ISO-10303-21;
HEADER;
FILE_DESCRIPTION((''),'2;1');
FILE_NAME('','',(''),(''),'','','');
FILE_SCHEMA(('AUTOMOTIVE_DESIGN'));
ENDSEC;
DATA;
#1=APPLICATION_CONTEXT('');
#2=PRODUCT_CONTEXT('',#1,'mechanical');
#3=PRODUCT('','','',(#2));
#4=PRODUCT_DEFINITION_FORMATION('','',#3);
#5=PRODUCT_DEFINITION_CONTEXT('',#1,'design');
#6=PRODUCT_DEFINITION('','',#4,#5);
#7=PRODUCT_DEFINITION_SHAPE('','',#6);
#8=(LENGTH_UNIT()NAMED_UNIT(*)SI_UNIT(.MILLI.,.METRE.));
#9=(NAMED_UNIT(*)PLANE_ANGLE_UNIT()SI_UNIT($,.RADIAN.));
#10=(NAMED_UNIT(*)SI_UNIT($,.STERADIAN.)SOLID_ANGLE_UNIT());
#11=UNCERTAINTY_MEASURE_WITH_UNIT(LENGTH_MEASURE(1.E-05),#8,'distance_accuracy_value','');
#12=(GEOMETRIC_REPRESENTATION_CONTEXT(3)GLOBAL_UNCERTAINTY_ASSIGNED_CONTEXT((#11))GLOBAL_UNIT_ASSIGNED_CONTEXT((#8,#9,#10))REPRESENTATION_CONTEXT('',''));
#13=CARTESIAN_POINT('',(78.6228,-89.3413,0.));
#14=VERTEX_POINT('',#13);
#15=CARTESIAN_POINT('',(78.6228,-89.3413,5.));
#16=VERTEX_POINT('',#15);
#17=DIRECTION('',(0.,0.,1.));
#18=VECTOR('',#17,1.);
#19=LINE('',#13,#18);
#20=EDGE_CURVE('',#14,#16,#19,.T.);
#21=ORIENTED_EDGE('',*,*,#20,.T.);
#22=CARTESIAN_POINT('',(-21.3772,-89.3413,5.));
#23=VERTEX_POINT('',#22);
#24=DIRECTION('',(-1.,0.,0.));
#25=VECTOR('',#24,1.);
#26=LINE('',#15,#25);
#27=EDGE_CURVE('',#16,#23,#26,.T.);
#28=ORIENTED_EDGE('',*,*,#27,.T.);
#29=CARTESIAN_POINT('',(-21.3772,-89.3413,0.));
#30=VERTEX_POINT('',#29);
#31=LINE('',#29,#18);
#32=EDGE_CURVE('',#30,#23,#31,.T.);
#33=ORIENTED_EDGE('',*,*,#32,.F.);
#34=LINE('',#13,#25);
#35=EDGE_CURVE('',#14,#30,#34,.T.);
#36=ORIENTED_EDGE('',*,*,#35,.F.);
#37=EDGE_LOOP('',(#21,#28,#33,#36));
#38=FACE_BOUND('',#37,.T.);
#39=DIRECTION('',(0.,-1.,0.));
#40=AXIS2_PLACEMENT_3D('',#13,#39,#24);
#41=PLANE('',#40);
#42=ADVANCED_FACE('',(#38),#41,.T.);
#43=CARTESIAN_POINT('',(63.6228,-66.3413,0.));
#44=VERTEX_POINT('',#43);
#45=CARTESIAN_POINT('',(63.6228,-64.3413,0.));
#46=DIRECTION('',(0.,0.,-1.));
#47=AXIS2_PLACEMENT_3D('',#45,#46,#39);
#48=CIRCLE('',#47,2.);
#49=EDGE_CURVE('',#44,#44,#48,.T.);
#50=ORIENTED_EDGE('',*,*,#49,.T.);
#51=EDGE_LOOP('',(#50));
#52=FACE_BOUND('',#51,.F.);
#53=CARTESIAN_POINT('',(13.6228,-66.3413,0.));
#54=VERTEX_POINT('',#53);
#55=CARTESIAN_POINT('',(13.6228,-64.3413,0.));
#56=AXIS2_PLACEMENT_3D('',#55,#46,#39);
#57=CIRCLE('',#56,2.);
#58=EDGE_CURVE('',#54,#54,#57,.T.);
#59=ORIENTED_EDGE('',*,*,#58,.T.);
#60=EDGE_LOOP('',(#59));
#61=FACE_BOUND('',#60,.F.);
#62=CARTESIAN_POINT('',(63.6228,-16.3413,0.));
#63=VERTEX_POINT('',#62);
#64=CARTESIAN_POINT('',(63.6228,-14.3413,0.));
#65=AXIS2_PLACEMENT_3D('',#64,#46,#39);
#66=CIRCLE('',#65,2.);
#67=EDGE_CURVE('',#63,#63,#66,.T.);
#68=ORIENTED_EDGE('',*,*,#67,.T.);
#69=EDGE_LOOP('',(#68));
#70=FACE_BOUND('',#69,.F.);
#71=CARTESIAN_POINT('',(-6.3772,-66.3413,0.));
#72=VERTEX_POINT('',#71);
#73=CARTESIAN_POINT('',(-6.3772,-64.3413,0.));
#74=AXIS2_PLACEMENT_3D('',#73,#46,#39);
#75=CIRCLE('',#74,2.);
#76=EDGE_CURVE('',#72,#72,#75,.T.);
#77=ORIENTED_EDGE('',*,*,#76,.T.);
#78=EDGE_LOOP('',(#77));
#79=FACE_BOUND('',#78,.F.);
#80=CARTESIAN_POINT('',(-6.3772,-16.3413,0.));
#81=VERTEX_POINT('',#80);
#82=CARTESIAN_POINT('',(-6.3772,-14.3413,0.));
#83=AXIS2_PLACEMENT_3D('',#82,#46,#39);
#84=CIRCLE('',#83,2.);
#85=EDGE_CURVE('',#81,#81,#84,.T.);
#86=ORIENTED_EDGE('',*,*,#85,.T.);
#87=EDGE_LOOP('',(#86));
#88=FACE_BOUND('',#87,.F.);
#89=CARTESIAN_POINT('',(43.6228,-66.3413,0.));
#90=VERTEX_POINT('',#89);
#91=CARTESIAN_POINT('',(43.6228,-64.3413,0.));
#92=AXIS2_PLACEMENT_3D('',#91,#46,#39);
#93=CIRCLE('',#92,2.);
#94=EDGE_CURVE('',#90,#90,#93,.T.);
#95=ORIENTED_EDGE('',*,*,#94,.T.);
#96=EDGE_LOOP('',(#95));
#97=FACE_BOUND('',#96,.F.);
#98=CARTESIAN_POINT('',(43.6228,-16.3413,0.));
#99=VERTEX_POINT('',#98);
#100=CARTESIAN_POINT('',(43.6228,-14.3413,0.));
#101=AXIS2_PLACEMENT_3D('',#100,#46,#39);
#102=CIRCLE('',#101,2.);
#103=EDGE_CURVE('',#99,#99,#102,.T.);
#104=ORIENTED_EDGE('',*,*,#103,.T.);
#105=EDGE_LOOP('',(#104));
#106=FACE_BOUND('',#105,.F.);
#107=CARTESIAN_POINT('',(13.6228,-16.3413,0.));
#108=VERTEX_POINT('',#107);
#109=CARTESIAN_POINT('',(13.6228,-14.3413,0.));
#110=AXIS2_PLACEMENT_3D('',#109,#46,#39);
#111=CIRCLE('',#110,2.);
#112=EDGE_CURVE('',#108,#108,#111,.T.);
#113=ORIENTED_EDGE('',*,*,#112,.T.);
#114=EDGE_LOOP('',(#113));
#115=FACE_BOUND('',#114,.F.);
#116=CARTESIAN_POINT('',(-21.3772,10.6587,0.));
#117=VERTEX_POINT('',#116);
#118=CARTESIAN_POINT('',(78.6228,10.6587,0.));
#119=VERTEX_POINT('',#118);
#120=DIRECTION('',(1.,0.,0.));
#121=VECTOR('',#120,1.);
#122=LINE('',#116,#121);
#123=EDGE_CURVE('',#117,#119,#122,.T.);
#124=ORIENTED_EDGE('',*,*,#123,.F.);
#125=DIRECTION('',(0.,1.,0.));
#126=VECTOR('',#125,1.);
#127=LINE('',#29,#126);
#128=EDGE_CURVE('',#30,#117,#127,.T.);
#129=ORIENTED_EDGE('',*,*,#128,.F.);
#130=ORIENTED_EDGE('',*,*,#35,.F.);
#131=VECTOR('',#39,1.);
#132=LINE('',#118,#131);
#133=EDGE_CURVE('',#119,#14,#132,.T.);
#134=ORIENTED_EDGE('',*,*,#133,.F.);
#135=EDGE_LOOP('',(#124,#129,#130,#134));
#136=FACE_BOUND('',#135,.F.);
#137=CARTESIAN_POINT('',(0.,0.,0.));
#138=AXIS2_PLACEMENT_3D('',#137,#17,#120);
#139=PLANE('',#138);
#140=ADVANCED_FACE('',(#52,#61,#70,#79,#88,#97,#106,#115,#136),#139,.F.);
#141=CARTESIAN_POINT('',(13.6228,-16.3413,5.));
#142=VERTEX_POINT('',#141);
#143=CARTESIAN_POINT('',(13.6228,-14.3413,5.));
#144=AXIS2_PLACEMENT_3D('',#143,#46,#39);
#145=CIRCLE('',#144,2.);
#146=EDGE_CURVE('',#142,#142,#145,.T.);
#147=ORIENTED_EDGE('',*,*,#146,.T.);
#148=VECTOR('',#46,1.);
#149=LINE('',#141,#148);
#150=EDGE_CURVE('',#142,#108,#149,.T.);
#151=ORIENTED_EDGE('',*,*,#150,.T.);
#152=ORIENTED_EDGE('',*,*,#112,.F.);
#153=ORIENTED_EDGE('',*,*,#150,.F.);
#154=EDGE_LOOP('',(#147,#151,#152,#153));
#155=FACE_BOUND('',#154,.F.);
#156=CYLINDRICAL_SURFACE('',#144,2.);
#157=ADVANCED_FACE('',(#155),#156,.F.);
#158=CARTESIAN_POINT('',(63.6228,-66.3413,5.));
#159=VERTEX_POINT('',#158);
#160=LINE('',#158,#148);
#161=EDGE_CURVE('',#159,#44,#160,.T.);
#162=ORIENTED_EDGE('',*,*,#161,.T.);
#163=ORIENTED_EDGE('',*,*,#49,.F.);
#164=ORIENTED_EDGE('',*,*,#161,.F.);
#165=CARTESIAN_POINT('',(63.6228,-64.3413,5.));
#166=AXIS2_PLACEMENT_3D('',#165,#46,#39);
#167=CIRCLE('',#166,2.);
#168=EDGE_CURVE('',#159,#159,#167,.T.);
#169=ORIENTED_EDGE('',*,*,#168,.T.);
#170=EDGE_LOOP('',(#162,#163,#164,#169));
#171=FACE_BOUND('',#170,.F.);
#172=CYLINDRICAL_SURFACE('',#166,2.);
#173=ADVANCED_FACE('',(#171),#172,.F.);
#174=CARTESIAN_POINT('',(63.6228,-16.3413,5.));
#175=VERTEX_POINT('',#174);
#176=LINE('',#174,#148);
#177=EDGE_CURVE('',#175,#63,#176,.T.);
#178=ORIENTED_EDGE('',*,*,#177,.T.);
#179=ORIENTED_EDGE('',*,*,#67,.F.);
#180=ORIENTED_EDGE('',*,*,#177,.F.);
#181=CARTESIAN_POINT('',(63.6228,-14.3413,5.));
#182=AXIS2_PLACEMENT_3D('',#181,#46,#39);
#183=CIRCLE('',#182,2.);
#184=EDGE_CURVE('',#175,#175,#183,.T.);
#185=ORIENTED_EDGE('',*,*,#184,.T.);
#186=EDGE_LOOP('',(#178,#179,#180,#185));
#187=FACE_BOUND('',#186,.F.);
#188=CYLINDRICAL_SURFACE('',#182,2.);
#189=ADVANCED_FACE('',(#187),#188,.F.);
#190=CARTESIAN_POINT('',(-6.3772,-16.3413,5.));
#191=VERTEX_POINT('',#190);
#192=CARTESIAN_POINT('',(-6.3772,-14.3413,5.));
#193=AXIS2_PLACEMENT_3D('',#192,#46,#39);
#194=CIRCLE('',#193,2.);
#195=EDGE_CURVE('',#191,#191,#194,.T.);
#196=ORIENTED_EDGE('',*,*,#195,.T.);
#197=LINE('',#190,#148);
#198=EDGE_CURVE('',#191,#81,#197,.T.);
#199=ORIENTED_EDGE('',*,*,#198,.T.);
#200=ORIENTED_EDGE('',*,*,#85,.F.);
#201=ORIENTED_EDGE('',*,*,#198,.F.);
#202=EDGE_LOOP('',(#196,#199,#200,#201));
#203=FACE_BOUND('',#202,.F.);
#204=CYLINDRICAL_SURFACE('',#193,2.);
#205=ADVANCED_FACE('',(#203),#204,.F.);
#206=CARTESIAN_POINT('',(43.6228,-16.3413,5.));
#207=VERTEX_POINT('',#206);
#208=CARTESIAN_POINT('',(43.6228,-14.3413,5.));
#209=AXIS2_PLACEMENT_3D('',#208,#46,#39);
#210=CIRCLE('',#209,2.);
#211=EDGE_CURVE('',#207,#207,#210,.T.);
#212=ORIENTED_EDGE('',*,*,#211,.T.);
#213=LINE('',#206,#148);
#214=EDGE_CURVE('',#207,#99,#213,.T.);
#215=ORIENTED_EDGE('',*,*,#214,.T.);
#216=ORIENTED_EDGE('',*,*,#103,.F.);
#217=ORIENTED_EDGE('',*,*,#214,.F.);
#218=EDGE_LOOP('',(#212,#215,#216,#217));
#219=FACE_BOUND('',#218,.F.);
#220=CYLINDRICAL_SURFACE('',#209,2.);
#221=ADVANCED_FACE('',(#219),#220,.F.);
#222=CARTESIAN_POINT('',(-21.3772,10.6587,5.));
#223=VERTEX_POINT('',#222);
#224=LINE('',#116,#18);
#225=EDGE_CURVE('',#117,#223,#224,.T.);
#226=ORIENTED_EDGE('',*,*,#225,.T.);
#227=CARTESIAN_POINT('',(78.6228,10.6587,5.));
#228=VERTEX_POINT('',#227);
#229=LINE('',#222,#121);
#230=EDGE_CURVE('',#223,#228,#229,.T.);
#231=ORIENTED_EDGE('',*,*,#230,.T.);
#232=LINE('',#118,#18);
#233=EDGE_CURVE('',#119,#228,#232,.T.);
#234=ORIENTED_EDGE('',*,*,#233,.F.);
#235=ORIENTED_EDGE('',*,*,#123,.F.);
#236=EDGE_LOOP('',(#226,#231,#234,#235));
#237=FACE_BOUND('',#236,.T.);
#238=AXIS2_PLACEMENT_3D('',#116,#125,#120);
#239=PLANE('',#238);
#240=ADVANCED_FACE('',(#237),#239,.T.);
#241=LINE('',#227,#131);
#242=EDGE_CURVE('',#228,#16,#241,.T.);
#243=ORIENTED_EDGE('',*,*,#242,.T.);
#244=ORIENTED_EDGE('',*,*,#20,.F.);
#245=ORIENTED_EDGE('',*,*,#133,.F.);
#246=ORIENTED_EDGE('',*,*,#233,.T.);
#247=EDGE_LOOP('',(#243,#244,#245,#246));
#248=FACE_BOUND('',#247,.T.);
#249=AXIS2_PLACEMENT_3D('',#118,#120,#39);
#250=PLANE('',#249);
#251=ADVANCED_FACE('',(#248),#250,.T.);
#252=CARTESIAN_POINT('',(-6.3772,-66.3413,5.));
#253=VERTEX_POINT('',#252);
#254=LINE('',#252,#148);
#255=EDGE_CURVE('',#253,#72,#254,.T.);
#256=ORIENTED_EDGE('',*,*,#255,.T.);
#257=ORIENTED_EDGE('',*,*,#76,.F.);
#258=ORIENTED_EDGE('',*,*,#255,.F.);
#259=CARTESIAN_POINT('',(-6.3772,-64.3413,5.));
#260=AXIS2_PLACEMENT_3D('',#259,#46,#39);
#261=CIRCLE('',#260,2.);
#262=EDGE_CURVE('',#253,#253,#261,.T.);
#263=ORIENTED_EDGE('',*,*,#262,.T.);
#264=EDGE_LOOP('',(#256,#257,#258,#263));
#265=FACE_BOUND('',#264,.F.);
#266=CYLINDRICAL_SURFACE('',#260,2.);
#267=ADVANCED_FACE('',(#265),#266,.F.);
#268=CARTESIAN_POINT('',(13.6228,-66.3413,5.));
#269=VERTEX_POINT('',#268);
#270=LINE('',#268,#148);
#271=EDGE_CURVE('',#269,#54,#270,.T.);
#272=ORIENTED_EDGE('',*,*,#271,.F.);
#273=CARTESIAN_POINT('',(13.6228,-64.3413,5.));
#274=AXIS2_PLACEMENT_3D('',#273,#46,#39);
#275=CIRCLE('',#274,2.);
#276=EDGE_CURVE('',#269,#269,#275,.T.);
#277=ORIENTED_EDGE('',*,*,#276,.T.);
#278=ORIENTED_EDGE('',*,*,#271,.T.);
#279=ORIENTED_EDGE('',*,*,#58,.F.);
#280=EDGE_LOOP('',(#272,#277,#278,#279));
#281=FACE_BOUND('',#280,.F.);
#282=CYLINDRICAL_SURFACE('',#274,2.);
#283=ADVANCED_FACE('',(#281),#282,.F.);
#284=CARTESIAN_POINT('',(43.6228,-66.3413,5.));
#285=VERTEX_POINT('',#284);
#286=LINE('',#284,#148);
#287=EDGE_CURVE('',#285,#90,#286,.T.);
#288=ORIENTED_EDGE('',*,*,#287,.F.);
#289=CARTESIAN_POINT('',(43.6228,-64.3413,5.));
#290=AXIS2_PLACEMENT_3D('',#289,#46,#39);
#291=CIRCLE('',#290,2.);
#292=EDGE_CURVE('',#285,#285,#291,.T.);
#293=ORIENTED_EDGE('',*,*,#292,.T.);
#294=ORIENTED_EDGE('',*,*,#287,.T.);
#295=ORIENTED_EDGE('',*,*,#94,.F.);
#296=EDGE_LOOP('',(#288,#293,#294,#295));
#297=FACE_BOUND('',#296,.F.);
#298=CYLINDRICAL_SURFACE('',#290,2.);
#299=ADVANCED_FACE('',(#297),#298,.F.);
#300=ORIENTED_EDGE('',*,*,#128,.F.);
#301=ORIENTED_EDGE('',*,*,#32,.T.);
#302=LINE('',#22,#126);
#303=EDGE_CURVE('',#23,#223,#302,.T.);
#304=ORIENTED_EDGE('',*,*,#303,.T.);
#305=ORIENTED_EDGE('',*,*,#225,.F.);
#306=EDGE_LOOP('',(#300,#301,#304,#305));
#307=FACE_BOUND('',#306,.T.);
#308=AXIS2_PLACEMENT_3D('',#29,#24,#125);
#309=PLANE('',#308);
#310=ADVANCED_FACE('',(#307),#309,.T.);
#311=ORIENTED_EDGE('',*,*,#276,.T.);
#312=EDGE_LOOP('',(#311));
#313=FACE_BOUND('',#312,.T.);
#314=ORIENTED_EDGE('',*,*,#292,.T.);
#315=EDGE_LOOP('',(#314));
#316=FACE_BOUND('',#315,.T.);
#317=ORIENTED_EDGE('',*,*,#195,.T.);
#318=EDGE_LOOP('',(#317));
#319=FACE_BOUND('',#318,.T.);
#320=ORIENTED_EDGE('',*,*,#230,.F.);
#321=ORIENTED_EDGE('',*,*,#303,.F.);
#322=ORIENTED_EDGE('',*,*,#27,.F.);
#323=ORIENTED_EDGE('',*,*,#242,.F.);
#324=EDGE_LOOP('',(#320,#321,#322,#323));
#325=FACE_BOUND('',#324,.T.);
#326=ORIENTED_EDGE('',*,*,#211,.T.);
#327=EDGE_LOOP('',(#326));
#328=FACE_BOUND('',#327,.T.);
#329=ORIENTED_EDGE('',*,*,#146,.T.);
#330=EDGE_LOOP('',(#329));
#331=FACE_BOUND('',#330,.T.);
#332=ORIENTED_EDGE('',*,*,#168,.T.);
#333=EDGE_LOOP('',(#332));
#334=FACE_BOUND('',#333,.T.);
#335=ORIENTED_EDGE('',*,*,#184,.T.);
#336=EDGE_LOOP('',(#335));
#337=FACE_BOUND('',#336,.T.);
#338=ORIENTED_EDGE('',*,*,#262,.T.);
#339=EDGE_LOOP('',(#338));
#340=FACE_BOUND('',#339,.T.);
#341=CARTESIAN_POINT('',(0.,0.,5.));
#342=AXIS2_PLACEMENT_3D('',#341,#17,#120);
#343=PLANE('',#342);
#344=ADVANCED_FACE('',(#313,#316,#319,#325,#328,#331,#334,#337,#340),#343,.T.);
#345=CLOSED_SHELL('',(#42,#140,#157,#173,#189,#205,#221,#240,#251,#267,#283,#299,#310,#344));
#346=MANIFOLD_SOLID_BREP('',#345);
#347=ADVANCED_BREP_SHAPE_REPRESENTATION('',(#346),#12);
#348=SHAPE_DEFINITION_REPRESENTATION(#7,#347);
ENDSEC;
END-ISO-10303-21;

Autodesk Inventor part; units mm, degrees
ref_plane "YZ Plane" through (0, 0, 0) normal (1, 0, 0) x (0, 1, 0)
ref_plane "XZ Plane" through (0, 0, 0) normal (0, 1, 0) x (-1, 0, 0)
ref_plane "XY Plane" through (0, 0, 0) normal (0, 0, 1) x (1, 0, 0)
sketch "Sketch1" plane through (0, 0, 0) normal (0, 0, 1) x (1, 0, 0)
  line L0 (-21.3772, 10.6587) -> (78.6228, 10.6587)
  line L1 (78.6228, 10.6587) -> (78.6228, -89.3413)
  line L2 (78.6228, -89.3413) -> (-21.3772, -89.3413)
  line L3 (-21.3772, -89.3413) -> (-21.3772, 10.6587)
  point P0 (0, 0)
  dimension "d0" = 100
  dimension "d1" = 100
extrude "Extrusion1" add sketch "Sketch1" along normal blind 5
sketch "Sketch2" plane through (0, 0, 5) normal (0, 0, 1) x (1, 0, 0)
  line L0 (78.6228, 10.6587) -> (78.6228, -89.3413) projected
  line L1 (-21.3772, 10.6587) -> (78.6228, 10.6587) projected
  line L2 (-21.3772, -89.3413) -> (-21.3772, 10.6587) projected
  line L3 (78.6228, -89.3413) -> (-21.3772, -89.3413) projected
  point P0 (0, 0)
  point P1 (-6.3772, -64.3413)
  point P2 (-6.3772, -14.3413)
  point P3 (13.6228, -64.3413)
  point P4 (13.6228, -14.3413)
  point P5 (43.6228, -64.3413)
  point P6 (43.6228, -14.3413)
  point P7 (63.6228, -14.3413)
  point P8 (63.6228, -64.3413)
  dimension "d4" = 25
  dimension "d5" = 25
  dimension "d6" = 15
  dimension "d7" = 20
  dimension "d8" = 15
  dimension "d9" = 20
hole "Hole1" at (-6.3772, -64.3413, 5) at (-6.3772, -14.3413, 5) at (13.6228, -64.3413, 5) at (13.6228, -14.3413, 5) at (43.6228, -64.3413, 5) at (43.6228, -14.3413, 5) at (63.6228, -14.3413, 5) at (63.6228, -64.3413, 5) direction (0, 0, -1) diameter 4 end through all
properties part number "union"
